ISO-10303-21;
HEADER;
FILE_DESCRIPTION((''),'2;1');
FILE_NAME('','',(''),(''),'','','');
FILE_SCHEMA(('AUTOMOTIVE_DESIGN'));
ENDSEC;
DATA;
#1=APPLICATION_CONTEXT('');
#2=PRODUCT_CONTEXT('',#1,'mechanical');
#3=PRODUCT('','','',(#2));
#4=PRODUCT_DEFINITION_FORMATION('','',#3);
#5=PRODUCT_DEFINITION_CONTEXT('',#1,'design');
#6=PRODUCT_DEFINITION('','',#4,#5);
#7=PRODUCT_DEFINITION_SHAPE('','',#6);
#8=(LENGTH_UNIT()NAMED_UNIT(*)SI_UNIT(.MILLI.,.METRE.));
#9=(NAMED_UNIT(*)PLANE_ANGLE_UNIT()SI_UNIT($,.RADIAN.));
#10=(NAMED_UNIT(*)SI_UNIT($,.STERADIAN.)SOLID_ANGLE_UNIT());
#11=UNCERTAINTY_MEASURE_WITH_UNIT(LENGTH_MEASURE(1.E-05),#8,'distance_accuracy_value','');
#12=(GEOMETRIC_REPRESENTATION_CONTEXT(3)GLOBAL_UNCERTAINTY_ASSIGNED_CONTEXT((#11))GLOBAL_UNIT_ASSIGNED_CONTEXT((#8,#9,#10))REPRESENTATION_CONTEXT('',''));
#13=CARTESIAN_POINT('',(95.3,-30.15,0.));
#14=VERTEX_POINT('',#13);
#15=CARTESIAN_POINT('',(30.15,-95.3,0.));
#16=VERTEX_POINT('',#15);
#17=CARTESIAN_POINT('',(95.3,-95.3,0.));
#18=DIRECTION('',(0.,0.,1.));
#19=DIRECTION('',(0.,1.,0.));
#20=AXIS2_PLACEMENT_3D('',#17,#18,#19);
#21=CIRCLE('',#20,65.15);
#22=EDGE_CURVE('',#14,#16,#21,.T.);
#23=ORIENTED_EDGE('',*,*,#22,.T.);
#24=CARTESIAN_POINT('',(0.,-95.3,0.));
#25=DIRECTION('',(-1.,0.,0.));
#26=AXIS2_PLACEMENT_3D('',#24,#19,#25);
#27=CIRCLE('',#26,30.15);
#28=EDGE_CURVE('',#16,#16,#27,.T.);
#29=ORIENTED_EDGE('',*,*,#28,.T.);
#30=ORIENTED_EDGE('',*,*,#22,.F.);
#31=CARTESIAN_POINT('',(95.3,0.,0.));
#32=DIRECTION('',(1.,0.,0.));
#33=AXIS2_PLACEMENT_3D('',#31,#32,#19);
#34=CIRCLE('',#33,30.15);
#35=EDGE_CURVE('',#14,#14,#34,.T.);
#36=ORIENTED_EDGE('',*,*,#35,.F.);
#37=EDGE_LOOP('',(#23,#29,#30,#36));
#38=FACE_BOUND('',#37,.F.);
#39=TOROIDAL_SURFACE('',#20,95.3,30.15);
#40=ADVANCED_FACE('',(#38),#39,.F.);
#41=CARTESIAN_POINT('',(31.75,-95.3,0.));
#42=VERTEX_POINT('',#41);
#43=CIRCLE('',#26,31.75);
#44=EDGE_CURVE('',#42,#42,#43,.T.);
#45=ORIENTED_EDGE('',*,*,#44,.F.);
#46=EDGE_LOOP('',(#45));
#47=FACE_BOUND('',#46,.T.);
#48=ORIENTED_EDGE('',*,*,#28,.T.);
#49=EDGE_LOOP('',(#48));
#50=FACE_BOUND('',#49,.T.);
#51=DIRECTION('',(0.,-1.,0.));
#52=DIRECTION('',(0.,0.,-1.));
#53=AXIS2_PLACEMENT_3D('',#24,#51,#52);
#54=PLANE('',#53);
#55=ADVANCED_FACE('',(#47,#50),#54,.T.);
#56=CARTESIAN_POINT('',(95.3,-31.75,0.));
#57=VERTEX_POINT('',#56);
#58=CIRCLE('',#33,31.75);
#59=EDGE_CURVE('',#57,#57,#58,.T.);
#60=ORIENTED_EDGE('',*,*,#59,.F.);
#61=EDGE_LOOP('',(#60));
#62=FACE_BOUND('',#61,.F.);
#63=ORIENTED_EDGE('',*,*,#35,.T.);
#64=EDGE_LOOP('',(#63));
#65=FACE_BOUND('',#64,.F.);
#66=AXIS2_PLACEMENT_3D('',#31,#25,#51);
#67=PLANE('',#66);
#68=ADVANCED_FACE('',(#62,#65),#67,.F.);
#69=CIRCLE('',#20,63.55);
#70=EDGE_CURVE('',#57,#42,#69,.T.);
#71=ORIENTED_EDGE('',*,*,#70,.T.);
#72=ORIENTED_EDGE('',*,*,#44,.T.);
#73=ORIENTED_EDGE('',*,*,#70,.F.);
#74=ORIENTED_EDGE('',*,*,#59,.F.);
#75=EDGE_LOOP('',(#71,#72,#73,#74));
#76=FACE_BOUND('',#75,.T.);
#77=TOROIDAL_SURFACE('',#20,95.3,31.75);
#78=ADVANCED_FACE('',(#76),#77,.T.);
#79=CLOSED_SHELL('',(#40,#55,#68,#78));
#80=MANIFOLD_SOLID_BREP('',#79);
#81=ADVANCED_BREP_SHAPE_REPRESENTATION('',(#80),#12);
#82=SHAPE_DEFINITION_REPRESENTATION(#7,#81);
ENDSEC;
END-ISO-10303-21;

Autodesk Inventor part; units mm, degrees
ref_plane "YZ Plane" through (0, 0, 0) normal (1, 0, 0) x (0, 1, 0)
ref_plane "XZ Plane" through (0, 0, 0) normal (0, 1, 0) x (-1, 0, 0)
sketch "Szkic6" plane through (0, 0, 0) normal (0, 0, 1) x (1, 0, 0)
  line L0 (-29.6067, 0) -> (35.2678, 0) construction
  line L1 (0, 42.3419) -> (0, -58.3726) construction
  arc A0 (95.3, 0) -> (0, -95.3) centre (95.3, -95.3) ccw
  line L2 (0, -95.3) -> (95.3, -95.3) construction
  line L3 (95.3, -95.3) -> (95.3, -29.7669) construction
  line L4 (95.3, 0) -> (95.3, 0)
  line L5 (0, -95.3) -> (0, -95.3)
  point P0 (0, 0)
  dimension "d24" = 95.3
  dimension "d31" = 90
  dimension "d36" = 0
  dimension "d37" = 0
ref_plane "Płaszczyzna konstrukcyjna2" through (0, -95.3, 0) normal (0, -1, 0) x (1, 0, 0)
sketch "Szkic8" plane through (0, -95.3, 0) normal (0, -1, 0) x (1, 0, 0)
  circle A0 centre (0, 0) radius 31.75
  circle A1 centre (0, 0) radius 30.15
  dimension "d32" = 63.5
  dimension "d33" = 1.6
sweep "Przeciągnięcie2" add profiles "Szkic8" path "Szkic6"
equation "\"d32\" = OD"
equation "\"d33\" = THK"
equation "\"d24\" = R"
equation "\"d31\" = KAT"
equation "\"SzerokośćGięciaPodcięcia\" = Grubość"
equation "\"RozmiarPodcięciaNarożnika\" = 4 * Grubość"
equation "\"PromieńPrzejścia\" = PromieńGięcia"
equation "\"Rozmiar_promienia_Jacobiego\" = PromieńGięcia"
equation "\"Wielk_odstępu\" = Grubość"
equation "\"d2\" = PromieńGięcia"
equation "\"d23\" = PromieńGięcia"
equation "\"R\" = 95.3"
equation "\"OD\" = 63.5"
equation "\"THK\" = 1.6"
equation "\"KAT\" = 90deg"
equation "\"PROSTKA\" = 0"
equation "\"Grubość\" = 1.5"
equation "\"PromieńGięcia\" = 3"
properties part number "Kolano 90° ø63,5x1,6 R95,3" material "304L"
